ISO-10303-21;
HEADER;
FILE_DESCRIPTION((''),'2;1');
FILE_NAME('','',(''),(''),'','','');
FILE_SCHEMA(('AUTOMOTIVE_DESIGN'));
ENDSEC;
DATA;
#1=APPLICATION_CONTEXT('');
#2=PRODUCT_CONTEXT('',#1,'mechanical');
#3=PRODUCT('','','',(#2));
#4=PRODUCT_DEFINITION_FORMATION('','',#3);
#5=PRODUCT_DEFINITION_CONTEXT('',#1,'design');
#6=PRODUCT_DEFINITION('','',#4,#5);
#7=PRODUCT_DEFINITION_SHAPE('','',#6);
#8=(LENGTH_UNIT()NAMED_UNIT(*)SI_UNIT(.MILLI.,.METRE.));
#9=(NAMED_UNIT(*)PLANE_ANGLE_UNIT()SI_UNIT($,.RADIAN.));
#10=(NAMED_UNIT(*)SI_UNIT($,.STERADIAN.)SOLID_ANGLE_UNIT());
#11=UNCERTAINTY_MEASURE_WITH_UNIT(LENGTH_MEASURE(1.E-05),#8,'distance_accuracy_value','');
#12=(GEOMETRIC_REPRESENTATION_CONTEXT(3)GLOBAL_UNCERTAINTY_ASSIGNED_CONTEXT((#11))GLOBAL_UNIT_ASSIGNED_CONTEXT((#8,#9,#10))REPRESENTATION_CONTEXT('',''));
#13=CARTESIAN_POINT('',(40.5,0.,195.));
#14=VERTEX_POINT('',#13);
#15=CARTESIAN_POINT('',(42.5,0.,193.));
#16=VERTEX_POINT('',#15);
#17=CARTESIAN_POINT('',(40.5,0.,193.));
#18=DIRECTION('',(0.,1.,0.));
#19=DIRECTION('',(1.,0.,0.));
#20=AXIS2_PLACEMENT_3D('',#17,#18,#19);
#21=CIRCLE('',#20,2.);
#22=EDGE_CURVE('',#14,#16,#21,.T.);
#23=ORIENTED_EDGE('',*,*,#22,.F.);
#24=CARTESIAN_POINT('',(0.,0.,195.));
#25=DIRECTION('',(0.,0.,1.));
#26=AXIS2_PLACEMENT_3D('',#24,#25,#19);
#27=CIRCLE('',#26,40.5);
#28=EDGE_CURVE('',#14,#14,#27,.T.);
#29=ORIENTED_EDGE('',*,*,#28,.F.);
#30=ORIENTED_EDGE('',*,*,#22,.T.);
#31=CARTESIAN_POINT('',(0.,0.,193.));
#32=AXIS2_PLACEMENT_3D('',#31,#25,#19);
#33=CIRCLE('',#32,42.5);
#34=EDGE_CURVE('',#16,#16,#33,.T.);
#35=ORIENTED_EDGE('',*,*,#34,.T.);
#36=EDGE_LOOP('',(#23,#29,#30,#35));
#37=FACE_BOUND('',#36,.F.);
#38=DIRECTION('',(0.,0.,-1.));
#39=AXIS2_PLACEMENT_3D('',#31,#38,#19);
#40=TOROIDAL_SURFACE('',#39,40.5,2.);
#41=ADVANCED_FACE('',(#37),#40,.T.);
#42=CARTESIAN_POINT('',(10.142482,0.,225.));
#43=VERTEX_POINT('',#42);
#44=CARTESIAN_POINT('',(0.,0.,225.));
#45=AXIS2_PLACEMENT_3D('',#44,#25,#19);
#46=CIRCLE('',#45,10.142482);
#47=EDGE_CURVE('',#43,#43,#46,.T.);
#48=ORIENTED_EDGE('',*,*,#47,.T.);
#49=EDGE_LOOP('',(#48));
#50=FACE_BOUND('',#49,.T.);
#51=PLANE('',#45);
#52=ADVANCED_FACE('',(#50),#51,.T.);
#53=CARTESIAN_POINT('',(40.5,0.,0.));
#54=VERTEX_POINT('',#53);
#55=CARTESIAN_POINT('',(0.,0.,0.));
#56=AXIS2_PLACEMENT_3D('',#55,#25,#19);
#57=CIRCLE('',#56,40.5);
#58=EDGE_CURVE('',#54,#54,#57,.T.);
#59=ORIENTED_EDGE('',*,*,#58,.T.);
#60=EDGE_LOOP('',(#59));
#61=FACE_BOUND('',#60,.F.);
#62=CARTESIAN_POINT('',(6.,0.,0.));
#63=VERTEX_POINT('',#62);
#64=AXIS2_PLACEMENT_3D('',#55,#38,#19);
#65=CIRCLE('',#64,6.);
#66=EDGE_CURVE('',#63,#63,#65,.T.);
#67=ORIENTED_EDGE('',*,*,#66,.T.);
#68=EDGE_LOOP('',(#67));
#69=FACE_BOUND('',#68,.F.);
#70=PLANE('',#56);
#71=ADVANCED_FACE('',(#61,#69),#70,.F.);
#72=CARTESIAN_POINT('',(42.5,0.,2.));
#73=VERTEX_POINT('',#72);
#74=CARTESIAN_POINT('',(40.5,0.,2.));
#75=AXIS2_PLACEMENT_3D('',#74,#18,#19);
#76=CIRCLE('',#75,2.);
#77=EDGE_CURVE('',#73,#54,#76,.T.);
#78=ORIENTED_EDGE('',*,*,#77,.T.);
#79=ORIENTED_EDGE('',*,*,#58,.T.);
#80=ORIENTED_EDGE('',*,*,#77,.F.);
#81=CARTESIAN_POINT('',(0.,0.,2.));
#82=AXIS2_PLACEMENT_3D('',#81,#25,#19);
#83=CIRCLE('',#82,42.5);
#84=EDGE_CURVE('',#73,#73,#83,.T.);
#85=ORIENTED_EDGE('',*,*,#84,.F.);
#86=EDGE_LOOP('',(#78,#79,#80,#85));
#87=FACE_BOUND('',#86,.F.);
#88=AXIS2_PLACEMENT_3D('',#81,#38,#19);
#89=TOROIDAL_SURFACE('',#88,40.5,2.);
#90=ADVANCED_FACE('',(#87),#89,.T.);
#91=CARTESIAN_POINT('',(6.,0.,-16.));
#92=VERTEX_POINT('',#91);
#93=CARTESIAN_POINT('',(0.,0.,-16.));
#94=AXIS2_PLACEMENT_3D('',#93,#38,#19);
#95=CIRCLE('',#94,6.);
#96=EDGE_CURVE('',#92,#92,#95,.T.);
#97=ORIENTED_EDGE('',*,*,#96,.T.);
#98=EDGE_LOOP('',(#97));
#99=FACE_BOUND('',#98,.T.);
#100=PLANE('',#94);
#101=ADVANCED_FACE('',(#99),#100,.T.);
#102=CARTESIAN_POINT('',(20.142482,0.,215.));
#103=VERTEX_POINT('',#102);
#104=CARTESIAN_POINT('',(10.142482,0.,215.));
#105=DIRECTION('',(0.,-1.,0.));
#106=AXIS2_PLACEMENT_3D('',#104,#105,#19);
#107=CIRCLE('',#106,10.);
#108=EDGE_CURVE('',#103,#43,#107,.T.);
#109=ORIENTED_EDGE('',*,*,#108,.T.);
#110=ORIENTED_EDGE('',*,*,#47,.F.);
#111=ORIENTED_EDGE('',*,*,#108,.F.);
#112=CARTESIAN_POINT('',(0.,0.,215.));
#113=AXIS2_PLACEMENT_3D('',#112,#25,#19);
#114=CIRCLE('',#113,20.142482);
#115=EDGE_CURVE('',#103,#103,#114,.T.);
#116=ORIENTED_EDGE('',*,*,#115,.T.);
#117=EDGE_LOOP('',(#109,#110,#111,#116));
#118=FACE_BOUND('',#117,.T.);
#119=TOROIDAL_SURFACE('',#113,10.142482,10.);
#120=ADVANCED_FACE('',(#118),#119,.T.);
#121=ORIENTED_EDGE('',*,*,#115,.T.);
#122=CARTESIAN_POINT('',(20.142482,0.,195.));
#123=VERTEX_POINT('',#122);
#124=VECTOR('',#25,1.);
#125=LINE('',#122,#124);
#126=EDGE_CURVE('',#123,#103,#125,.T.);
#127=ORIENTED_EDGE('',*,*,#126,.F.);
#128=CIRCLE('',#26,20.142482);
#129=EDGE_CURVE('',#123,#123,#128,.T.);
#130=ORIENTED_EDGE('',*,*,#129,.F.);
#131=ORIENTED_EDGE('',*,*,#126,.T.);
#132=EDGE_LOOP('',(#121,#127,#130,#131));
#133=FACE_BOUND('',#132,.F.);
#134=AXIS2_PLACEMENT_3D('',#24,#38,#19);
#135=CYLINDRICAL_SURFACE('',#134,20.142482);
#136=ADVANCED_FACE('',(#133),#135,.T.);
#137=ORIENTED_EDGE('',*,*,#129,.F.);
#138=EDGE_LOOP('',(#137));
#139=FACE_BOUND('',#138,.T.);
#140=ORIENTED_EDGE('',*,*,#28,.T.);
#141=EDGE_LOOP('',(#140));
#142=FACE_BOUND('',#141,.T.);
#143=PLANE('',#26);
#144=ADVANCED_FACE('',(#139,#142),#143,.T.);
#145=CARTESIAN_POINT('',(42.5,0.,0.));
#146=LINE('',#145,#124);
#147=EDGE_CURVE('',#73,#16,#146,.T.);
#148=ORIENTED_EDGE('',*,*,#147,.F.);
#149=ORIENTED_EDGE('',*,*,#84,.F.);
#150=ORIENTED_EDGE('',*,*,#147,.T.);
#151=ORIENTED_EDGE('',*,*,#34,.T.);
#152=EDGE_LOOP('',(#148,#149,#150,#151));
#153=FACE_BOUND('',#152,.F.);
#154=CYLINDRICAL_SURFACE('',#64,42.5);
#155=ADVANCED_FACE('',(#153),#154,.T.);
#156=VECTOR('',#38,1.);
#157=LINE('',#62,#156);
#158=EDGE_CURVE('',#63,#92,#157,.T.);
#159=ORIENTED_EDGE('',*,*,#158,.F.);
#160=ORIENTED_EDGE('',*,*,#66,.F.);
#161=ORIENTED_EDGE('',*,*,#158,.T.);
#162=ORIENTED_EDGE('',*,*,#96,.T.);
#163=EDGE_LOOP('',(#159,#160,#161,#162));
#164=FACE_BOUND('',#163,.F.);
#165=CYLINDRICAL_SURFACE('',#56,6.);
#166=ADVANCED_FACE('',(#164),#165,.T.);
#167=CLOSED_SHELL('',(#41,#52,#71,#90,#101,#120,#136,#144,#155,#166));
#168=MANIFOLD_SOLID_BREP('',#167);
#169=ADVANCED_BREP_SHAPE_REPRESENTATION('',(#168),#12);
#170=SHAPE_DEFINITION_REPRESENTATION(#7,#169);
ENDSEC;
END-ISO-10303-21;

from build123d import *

# Parameters (mm, degrees)
F0_R     = 42.5
F1_DEPTH = 195
F2_R     = 20.142482
F3_DEPTH = 30
F4_R     = 10
F5_R     = 6
F6_DEPTH = 16
F7_R     = 2


with BuildPart() as f1:
    # F0 (on Top) → F1 (new body)
    with BuildSketch(Plane.XY):
        Circle(F0_R)
    extrude(amount=F1_DEPTH)

    # F2 (on face) → F3 (join)
    with BuildSketch(Plane.XY.offset(195)):
        Circle(F2_R)
    extrude(amount=F3_DEPTH)

    # F4
    f4_edges = [f1.edges().sort_by_distance(p)[0] for p in [
        (-20.142482, 0, 225),
    ]]
    fillet(f4_edges, radius=F4_R)

    # F5 (on face) → F6 (join)
    with BuildSketch(Plane(origin=(0, 0, 0), x_dir=(1, 0, 0), z_dir=(0, 0, -1))):
        Circle(F5_R)
    extrude(amount=F6_DEPTH)

    # F7
    f7_edges = [f1.edges().sort_by_distance(p)[0] for p in [
        (-42.5, 0, 195),
        (-42.5, 0, 0),
    ]]
    fillet(f7_edges, radius=F7_R)


solid = f1.part
